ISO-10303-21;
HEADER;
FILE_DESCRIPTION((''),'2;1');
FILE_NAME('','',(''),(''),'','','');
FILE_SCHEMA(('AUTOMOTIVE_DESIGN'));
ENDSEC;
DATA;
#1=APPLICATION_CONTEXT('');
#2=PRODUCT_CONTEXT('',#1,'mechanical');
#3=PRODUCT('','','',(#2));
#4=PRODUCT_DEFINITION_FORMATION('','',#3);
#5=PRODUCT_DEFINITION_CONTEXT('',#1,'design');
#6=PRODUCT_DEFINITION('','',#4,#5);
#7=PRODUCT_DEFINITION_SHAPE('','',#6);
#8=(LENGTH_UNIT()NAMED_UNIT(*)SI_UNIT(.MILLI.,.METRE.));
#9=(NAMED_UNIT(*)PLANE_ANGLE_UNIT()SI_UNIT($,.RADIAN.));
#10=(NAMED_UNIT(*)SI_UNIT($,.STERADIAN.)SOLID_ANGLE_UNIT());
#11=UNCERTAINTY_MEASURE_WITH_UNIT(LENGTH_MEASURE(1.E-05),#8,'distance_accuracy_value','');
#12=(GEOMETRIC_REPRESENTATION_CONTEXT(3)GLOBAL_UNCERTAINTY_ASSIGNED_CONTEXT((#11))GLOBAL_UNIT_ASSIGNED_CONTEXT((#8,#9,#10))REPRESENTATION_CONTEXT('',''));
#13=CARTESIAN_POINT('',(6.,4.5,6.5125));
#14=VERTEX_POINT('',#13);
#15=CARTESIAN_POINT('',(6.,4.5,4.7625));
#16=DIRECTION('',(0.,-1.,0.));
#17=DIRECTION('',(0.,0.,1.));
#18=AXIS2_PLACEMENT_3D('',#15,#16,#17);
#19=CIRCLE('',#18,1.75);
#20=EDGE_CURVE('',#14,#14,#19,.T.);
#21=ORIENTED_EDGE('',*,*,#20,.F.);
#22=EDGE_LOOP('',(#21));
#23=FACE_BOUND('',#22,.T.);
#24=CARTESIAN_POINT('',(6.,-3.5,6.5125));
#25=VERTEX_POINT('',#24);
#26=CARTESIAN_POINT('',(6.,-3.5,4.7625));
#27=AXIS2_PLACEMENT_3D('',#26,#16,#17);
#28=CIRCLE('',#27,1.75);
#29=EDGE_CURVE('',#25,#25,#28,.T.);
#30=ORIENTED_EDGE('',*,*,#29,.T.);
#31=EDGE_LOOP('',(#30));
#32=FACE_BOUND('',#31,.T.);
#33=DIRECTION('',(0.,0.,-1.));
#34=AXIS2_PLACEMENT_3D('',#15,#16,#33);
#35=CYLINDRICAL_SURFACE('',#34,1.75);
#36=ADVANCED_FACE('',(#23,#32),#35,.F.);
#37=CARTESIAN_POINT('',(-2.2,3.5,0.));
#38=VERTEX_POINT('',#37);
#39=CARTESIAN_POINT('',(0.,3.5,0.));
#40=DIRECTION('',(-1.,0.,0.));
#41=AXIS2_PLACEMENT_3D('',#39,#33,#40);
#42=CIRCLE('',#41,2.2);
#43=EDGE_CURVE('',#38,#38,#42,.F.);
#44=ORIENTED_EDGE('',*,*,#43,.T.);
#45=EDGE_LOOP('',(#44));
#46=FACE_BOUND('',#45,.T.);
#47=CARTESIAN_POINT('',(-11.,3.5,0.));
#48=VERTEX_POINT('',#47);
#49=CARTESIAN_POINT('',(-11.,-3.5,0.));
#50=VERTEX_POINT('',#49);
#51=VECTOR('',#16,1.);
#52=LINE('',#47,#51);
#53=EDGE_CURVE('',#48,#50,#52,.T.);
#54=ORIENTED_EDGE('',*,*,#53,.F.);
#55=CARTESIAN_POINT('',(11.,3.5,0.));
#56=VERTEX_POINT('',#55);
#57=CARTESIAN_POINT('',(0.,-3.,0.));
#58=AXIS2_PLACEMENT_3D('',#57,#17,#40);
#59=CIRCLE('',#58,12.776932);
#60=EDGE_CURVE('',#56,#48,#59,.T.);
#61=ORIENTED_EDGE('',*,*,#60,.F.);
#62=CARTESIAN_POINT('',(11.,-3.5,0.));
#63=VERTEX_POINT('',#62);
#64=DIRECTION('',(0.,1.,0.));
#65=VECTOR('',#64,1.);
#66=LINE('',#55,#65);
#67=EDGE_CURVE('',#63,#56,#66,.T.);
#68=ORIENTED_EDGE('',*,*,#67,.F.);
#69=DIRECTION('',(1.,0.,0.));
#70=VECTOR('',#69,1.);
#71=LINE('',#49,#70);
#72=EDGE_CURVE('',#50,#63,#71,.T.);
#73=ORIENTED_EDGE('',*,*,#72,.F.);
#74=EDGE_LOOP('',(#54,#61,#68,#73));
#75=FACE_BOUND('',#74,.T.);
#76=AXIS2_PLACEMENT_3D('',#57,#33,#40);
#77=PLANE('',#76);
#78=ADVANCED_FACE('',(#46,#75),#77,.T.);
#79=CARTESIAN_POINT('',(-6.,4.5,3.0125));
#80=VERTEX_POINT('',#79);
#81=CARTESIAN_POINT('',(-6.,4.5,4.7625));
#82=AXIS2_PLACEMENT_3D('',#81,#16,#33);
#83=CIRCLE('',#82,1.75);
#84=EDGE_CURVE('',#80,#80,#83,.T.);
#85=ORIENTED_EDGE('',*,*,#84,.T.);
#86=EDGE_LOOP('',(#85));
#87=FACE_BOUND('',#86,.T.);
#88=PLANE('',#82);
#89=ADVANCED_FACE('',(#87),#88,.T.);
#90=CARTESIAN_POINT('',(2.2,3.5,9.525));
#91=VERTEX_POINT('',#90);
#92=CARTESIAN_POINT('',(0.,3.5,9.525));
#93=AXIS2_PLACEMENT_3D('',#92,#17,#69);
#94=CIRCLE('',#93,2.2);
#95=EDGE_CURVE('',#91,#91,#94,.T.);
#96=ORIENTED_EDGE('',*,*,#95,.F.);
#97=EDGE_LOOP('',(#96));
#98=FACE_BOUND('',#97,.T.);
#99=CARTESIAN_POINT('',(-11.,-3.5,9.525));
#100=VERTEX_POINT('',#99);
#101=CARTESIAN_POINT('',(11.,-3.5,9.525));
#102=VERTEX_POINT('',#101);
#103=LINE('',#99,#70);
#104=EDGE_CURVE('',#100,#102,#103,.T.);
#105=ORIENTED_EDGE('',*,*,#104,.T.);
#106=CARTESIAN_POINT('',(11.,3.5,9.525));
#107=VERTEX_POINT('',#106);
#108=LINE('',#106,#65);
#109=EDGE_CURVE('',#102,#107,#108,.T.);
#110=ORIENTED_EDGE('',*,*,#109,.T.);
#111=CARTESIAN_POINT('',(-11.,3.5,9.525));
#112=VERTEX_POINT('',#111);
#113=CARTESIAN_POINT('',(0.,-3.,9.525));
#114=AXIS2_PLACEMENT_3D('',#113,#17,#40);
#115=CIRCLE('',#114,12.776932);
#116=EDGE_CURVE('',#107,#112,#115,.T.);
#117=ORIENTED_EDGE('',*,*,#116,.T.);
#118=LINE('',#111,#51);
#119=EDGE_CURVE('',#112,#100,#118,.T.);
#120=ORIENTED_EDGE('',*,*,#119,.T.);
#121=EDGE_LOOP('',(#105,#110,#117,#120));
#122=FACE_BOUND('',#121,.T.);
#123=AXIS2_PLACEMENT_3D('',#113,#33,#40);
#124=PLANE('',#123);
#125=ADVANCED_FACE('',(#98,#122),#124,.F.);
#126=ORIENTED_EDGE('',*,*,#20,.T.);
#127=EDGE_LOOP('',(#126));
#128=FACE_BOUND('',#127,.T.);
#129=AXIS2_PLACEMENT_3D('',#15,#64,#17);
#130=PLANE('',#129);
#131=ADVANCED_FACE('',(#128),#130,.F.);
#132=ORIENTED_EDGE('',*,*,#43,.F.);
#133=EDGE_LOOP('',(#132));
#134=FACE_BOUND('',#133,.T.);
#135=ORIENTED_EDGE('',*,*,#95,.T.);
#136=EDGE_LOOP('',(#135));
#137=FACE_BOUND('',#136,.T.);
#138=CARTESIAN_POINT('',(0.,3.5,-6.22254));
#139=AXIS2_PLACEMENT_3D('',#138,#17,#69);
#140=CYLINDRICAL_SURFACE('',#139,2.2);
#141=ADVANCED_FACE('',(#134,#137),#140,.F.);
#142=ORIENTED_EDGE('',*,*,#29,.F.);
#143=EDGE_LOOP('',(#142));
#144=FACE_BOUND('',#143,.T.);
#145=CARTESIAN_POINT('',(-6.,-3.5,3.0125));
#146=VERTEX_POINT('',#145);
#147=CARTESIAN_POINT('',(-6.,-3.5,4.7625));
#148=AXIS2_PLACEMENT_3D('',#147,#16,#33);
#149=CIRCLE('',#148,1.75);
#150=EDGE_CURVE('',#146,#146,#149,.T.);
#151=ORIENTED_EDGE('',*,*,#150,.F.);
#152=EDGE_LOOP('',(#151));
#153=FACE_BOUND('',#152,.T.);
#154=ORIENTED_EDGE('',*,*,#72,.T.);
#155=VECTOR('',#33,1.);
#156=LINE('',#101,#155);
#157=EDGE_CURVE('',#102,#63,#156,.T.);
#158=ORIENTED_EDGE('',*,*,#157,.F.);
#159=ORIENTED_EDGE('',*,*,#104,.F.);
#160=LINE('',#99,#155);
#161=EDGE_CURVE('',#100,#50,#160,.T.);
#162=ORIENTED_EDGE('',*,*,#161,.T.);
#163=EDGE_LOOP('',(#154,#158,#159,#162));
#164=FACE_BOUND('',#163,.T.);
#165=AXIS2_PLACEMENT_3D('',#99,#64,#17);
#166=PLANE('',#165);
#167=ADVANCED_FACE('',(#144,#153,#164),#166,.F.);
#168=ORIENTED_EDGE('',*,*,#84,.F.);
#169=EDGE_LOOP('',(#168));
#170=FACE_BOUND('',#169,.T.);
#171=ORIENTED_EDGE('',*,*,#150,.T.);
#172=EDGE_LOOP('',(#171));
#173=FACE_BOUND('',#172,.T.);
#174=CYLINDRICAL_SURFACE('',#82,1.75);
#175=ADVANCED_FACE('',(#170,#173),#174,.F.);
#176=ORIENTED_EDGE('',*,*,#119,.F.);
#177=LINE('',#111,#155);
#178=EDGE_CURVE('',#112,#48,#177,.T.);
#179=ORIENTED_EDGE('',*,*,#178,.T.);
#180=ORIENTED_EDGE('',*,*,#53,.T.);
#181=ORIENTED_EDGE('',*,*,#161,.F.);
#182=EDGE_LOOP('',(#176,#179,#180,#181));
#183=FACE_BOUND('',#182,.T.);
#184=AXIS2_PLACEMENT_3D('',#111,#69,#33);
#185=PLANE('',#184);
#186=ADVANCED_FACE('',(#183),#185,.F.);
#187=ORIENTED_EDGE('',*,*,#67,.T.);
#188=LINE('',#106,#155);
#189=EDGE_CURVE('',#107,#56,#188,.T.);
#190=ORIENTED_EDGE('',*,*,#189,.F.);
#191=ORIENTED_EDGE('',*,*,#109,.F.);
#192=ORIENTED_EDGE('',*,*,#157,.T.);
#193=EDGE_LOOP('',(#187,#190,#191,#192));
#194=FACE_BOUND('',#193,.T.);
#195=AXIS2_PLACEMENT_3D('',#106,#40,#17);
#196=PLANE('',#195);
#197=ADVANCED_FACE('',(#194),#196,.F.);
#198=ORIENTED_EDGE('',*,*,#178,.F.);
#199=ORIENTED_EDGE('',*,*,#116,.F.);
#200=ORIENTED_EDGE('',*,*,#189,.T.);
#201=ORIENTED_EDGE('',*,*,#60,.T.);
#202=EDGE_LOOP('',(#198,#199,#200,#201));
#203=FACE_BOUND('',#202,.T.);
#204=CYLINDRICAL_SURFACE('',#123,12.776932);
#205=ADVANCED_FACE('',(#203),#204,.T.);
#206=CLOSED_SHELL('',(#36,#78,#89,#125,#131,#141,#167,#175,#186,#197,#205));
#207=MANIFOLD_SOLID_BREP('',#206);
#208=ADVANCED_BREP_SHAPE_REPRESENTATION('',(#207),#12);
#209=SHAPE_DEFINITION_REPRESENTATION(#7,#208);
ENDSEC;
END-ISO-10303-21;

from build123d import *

# Parameters (mm, degrees)
BOSS_EXTRUDE1_DEPTH = 9.525
SKETCH2_R           = 2.2
M5_DRILL_DEPTH      = 9.525
SKETCH3_R           = 1.75
M4_DRILL_DEPTH      = 8


with BuildPart() as part:
    # Sketch1 → Boss-Extrude1 (new body)
    with BuildSketch(Plane.XY):
        with BuildLine():
            Line((-11, 3.5), (-11, -3.5))
            Line((-11, -3.5), (11, -3.5))
            Line((11, -3.5), (11, 3.5))
            ThreePointArc((11, 3.5), (0, 9.776932339), (-11, 3.5))
        make_face()
    extrude(amount=BOSS_EXTRUDE1_DEPTH)

    # Sketch2 → M5_DRILL (cut)
    with BuildSketch(Plane.XY.offset(9.525)):
        with Locations((0, 3.5)):
            Circle(SKETCH2_R)
    extrude(amount=-M5_DRILL_DEPTH, mode=Mode.SUBTRACT)

    # Sketch3 → M4_DRILL (cut)
    with BuildSketch(Plane.XZ.offset(3.5)):
        with Locations(Location((-6, 4.7625, 0), (0, 0, 270))):
            Circle(SKETCH3_R)
        with Locations(Location((6, 4.7625, 0), (0, 0, 90))):
            Circle(SKETCH3_R)
    extrude(amount=-M4_DRILL_DEPTH, mode=Mode.SUBTRACT)


solid = part.part
